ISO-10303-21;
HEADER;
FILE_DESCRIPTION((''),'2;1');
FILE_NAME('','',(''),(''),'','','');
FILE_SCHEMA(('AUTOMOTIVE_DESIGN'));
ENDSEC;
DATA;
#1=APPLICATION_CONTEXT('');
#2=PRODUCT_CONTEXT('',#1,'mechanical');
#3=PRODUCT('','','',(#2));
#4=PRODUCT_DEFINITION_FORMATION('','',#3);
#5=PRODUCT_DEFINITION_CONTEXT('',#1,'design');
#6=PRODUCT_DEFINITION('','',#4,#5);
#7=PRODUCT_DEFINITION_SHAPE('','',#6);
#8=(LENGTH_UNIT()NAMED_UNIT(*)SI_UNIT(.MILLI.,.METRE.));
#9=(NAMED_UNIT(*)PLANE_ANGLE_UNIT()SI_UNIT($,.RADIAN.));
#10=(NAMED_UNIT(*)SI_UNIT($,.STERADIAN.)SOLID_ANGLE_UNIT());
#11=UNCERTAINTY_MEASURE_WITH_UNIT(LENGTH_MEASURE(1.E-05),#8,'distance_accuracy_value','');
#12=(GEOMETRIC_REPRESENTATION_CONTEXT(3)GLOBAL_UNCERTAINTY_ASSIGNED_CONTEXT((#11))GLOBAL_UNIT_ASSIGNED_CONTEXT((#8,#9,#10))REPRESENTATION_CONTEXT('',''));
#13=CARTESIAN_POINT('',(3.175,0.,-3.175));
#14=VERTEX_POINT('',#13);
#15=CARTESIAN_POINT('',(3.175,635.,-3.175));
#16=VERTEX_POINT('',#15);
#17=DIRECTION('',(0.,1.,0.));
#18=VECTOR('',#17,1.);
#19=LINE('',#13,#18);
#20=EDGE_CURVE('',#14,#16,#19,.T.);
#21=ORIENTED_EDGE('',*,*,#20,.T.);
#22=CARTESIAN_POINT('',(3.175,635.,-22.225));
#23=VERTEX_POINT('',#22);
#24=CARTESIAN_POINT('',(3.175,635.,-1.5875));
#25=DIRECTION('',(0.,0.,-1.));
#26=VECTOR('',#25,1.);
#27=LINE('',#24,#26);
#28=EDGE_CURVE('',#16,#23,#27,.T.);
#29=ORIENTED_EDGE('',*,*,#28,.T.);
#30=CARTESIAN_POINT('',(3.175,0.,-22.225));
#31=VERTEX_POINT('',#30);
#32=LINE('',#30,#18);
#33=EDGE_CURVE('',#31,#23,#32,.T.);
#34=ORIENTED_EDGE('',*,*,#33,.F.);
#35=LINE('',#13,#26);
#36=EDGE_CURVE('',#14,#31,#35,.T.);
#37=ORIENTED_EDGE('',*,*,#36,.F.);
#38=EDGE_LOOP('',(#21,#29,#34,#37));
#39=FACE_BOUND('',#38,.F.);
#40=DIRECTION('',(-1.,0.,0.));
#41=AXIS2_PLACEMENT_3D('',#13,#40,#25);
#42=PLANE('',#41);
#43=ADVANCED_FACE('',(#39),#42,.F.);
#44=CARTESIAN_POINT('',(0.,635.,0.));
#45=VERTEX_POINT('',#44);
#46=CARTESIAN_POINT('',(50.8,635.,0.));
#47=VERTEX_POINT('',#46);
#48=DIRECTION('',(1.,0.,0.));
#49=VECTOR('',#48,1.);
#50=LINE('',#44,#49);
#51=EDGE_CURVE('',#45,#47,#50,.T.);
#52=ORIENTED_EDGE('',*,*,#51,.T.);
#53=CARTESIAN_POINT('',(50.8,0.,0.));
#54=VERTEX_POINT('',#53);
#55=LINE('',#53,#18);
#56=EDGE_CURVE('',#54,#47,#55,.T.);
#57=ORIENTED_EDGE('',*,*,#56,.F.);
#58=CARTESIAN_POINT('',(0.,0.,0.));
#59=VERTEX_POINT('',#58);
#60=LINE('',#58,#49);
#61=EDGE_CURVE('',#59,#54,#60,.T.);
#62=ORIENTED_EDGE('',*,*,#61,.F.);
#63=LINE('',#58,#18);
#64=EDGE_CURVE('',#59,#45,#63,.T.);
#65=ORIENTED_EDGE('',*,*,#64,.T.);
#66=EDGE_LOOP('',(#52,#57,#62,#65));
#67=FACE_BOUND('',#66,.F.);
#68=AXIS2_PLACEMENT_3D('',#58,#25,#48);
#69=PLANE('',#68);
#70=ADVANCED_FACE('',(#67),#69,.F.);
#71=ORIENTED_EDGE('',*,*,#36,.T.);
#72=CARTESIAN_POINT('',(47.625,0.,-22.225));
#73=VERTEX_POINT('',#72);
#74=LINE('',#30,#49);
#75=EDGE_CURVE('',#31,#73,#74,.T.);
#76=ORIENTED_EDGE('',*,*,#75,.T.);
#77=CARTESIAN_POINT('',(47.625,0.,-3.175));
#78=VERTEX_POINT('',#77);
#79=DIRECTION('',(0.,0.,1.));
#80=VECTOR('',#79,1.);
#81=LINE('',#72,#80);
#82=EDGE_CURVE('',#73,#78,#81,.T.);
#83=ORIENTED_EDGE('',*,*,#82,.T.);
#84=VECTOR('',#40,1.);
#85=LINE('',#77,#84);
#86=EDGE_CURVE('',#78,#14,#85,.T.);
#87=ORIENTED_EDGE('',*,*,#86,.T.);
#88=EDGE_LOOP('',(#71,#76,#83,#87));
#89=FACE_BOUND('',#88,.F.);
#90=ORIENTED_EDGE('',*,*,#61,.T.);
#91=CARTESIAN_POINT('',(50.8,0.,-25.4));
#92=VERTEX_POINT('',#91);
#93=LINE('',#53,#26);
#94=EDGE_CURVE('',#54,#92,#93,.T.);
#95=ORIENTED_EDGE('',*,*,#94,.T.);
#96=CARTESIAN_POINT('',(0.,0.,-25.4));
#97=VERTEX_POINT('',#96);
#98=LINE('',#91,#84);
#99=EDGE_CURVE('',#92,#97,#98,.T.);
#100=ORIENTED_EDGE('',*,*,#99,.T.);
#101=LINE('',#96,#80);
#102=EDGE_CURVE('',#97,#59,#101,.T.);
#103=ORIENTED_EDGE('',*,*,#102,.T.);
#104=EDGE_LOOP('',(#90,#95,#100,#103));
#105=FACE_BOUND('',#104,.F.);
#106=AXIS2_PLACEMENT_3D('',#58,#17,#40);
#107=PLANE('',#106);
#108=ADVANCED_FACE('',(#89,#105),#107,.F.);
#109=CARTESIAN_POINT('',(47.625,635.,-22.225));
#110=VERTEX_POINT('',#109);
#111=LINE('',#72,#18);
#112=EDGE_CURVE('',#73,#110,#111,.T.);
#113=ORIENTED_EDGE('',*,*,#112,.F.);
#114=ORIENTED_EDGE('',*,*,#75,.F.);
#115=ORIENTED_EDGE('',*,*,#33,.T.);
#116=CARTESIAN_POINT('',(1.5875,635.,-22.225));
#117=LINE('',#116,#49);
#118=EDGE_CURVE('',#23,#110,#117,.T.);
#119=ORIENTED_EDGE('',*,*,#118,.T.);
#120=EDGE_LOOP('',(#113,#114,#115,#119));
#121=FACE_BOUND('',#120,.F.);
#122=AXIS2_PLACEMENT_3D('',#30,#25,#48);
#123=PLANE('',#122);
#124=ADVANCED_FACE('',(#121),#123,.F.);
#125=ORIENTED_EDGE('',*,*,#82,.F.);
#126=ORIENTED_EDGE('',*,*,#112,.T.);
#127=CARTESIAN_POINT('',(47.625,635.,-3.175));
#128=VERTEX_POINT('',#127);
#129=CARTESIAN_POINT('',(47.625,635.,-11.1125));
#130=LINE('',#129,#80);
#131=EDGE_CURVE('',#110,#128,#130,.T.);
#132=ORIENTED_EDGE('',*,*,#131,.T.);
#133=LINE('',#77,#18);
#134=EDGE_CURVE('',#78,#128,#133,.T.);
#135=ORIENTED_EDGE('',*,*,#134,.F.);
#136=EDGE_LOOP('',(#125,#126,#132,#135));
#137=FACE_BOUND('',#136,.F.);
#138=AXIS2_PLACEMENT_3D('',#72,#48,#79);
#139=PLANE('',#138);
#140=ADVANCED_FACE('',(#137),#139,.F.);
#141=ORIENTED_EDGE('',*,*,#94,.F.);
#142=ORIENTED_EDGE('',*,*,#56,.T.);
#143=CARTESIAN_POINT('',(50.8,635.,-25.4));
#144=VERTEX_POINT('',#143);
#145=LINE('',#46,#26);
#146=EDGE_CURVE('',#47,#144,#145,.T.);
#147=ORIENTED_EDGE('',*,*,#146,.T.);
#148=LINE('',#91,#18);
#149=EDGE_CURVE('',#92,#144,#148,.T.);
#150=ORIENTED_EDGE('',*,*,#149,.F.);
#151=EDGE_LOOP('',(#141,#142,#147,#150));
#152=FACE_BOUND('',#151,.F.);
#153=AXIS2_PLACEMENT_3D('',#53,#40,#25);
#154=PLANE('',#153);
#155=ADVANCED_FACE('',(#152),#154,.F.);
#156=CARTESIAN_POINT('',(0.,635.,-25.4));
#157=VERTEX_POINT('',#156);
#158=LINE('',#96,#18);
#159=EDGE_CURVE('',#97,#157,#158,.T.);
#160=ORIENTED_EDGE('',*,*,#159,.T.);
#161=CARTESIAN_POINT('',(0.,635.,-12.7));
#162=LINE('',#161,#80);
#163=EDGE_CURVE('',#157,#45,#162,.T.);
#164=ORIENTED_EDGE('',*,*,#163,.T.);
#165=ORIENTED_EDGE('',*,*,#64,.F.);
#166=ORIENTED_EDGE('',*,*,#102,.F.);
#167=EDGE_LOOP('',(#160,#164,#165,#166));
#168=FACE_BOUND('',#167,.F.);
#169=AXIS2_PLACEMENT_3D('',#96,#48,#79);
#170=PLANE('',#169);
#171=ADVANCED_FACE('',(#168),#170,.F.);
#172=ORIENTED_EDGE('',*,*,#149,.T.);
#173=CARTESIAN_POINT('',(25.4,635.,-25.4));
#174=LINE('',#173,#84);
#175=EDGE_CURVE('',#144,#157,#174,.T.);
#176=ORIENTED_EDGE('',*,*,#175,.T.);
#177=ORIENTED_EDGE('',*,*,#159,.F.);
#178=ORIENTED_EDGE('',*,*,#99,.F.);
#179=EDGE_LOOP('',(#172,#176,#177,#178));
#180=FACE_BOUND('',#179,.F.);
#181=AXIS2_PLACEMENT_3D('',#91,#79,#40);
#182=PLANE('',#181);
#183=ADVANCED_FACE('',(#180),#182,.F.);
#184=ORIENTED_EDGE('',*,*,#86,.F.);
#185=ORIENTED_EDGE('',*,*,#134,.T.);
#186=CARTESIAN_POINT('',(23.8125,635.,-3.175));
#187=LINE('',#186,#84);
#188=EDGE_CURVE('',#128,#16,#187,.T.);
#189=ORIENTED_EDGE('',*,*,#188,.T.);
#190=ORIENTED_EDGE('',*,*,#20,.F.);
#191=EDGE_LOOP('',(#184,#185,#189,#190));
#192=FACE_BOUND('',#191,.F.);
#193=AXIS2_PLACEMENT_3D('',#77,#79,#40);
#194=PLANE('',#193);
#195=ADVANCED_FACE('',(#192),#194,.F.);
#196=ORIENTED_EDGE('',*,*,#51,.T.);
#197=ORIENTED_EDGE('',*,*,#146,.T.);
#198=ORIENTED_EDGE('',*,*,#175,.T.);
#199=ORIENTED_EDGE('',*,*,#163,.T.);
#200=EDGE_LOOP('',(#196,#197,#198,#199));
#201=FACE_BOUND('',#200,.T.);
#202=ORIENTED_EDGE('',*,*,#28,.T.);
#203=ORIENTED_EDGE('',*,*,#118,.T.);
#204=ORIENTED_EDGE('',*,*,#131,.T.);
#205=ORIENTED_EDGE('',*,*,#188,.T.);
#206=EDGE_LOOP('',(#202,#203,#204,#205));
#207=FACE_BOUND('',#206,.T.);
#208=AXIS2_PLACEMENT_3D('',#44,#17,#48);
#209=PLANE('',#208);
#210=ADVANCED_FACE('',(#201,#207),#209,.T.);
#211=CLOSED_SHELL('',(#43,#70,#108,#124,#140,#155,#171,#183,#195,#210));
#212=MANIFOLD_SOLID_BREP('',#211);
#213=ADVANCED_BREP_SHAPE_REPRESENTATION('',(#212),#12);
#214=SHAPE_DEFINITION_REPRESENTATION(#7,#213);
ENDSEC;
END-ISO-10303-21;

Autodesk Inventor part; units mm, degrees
ref_plane "YZ Plane" through (0, 0, 0) normal (1, 0, 0) x (0, 1, 0)
ref_plane "XZ Plane" through (0, 0, 0) normal (0, 1, 0) x (-1, 0, 0)
ref_plane "XY Plane" through (0, 0, 0) normal (0, 0, 1) x (1, 0, 0)
sketch "Sketch1" plane through (0, 0, 0) normal (0, 1, 0) x (-1, 0, 0)
  line L0 (0, 0) -> (-50.8, 0)
  line L1 (-50.8, 0) -> (-50.8, -25.4)
  line L2 (-50.8, -25.4) -> (0, -25.4)
  line L3 (0, -25.4) -> (0, 0)
  line L4 (-3.175, -22.225) -> (-47.625, -22.225)
  line L5 (-47.625, -22.225) -> (-47.625, -3.175)
  line L6 (-47.625, -3.175) -> (-3.175, -3.175)
  line L7 (-3.175, -3.175) -> (-3.175, -22.225)
  dimension "d0" = 25.4
  dimension "d1" = 50.8
  dimension "d2" = 3.175
  dimension "d3" = 3.175
  dimension "d4" = 3.175
  dimension "d5" = 3.175
extrude "Extrusion1" add sketch "Sketch1" along normal blind 736.6
sketch "Sketch2" plane through (0, 736.6, 0) normal (0, 1, 0) x (1, 0, 0)
  line L0 (-32.6558, 46.2997) -> (107.3615, 46.2997)
  line L1 (107.3615, 46.2997) -> (107.3615, -26.8404)
  line L2 (107.3615, -26.8404) -> (-32.6558, -26.8404)
  line L3 (-32.6558, -26.8404) -> (-32.6558, 46.2997)
  point P0 (0, 0)
extrude "Extrusion2" cut sketch "Sketch2" against normal blind 101.6
properties part number "29in 2x1" material "Aluminum 6061"
